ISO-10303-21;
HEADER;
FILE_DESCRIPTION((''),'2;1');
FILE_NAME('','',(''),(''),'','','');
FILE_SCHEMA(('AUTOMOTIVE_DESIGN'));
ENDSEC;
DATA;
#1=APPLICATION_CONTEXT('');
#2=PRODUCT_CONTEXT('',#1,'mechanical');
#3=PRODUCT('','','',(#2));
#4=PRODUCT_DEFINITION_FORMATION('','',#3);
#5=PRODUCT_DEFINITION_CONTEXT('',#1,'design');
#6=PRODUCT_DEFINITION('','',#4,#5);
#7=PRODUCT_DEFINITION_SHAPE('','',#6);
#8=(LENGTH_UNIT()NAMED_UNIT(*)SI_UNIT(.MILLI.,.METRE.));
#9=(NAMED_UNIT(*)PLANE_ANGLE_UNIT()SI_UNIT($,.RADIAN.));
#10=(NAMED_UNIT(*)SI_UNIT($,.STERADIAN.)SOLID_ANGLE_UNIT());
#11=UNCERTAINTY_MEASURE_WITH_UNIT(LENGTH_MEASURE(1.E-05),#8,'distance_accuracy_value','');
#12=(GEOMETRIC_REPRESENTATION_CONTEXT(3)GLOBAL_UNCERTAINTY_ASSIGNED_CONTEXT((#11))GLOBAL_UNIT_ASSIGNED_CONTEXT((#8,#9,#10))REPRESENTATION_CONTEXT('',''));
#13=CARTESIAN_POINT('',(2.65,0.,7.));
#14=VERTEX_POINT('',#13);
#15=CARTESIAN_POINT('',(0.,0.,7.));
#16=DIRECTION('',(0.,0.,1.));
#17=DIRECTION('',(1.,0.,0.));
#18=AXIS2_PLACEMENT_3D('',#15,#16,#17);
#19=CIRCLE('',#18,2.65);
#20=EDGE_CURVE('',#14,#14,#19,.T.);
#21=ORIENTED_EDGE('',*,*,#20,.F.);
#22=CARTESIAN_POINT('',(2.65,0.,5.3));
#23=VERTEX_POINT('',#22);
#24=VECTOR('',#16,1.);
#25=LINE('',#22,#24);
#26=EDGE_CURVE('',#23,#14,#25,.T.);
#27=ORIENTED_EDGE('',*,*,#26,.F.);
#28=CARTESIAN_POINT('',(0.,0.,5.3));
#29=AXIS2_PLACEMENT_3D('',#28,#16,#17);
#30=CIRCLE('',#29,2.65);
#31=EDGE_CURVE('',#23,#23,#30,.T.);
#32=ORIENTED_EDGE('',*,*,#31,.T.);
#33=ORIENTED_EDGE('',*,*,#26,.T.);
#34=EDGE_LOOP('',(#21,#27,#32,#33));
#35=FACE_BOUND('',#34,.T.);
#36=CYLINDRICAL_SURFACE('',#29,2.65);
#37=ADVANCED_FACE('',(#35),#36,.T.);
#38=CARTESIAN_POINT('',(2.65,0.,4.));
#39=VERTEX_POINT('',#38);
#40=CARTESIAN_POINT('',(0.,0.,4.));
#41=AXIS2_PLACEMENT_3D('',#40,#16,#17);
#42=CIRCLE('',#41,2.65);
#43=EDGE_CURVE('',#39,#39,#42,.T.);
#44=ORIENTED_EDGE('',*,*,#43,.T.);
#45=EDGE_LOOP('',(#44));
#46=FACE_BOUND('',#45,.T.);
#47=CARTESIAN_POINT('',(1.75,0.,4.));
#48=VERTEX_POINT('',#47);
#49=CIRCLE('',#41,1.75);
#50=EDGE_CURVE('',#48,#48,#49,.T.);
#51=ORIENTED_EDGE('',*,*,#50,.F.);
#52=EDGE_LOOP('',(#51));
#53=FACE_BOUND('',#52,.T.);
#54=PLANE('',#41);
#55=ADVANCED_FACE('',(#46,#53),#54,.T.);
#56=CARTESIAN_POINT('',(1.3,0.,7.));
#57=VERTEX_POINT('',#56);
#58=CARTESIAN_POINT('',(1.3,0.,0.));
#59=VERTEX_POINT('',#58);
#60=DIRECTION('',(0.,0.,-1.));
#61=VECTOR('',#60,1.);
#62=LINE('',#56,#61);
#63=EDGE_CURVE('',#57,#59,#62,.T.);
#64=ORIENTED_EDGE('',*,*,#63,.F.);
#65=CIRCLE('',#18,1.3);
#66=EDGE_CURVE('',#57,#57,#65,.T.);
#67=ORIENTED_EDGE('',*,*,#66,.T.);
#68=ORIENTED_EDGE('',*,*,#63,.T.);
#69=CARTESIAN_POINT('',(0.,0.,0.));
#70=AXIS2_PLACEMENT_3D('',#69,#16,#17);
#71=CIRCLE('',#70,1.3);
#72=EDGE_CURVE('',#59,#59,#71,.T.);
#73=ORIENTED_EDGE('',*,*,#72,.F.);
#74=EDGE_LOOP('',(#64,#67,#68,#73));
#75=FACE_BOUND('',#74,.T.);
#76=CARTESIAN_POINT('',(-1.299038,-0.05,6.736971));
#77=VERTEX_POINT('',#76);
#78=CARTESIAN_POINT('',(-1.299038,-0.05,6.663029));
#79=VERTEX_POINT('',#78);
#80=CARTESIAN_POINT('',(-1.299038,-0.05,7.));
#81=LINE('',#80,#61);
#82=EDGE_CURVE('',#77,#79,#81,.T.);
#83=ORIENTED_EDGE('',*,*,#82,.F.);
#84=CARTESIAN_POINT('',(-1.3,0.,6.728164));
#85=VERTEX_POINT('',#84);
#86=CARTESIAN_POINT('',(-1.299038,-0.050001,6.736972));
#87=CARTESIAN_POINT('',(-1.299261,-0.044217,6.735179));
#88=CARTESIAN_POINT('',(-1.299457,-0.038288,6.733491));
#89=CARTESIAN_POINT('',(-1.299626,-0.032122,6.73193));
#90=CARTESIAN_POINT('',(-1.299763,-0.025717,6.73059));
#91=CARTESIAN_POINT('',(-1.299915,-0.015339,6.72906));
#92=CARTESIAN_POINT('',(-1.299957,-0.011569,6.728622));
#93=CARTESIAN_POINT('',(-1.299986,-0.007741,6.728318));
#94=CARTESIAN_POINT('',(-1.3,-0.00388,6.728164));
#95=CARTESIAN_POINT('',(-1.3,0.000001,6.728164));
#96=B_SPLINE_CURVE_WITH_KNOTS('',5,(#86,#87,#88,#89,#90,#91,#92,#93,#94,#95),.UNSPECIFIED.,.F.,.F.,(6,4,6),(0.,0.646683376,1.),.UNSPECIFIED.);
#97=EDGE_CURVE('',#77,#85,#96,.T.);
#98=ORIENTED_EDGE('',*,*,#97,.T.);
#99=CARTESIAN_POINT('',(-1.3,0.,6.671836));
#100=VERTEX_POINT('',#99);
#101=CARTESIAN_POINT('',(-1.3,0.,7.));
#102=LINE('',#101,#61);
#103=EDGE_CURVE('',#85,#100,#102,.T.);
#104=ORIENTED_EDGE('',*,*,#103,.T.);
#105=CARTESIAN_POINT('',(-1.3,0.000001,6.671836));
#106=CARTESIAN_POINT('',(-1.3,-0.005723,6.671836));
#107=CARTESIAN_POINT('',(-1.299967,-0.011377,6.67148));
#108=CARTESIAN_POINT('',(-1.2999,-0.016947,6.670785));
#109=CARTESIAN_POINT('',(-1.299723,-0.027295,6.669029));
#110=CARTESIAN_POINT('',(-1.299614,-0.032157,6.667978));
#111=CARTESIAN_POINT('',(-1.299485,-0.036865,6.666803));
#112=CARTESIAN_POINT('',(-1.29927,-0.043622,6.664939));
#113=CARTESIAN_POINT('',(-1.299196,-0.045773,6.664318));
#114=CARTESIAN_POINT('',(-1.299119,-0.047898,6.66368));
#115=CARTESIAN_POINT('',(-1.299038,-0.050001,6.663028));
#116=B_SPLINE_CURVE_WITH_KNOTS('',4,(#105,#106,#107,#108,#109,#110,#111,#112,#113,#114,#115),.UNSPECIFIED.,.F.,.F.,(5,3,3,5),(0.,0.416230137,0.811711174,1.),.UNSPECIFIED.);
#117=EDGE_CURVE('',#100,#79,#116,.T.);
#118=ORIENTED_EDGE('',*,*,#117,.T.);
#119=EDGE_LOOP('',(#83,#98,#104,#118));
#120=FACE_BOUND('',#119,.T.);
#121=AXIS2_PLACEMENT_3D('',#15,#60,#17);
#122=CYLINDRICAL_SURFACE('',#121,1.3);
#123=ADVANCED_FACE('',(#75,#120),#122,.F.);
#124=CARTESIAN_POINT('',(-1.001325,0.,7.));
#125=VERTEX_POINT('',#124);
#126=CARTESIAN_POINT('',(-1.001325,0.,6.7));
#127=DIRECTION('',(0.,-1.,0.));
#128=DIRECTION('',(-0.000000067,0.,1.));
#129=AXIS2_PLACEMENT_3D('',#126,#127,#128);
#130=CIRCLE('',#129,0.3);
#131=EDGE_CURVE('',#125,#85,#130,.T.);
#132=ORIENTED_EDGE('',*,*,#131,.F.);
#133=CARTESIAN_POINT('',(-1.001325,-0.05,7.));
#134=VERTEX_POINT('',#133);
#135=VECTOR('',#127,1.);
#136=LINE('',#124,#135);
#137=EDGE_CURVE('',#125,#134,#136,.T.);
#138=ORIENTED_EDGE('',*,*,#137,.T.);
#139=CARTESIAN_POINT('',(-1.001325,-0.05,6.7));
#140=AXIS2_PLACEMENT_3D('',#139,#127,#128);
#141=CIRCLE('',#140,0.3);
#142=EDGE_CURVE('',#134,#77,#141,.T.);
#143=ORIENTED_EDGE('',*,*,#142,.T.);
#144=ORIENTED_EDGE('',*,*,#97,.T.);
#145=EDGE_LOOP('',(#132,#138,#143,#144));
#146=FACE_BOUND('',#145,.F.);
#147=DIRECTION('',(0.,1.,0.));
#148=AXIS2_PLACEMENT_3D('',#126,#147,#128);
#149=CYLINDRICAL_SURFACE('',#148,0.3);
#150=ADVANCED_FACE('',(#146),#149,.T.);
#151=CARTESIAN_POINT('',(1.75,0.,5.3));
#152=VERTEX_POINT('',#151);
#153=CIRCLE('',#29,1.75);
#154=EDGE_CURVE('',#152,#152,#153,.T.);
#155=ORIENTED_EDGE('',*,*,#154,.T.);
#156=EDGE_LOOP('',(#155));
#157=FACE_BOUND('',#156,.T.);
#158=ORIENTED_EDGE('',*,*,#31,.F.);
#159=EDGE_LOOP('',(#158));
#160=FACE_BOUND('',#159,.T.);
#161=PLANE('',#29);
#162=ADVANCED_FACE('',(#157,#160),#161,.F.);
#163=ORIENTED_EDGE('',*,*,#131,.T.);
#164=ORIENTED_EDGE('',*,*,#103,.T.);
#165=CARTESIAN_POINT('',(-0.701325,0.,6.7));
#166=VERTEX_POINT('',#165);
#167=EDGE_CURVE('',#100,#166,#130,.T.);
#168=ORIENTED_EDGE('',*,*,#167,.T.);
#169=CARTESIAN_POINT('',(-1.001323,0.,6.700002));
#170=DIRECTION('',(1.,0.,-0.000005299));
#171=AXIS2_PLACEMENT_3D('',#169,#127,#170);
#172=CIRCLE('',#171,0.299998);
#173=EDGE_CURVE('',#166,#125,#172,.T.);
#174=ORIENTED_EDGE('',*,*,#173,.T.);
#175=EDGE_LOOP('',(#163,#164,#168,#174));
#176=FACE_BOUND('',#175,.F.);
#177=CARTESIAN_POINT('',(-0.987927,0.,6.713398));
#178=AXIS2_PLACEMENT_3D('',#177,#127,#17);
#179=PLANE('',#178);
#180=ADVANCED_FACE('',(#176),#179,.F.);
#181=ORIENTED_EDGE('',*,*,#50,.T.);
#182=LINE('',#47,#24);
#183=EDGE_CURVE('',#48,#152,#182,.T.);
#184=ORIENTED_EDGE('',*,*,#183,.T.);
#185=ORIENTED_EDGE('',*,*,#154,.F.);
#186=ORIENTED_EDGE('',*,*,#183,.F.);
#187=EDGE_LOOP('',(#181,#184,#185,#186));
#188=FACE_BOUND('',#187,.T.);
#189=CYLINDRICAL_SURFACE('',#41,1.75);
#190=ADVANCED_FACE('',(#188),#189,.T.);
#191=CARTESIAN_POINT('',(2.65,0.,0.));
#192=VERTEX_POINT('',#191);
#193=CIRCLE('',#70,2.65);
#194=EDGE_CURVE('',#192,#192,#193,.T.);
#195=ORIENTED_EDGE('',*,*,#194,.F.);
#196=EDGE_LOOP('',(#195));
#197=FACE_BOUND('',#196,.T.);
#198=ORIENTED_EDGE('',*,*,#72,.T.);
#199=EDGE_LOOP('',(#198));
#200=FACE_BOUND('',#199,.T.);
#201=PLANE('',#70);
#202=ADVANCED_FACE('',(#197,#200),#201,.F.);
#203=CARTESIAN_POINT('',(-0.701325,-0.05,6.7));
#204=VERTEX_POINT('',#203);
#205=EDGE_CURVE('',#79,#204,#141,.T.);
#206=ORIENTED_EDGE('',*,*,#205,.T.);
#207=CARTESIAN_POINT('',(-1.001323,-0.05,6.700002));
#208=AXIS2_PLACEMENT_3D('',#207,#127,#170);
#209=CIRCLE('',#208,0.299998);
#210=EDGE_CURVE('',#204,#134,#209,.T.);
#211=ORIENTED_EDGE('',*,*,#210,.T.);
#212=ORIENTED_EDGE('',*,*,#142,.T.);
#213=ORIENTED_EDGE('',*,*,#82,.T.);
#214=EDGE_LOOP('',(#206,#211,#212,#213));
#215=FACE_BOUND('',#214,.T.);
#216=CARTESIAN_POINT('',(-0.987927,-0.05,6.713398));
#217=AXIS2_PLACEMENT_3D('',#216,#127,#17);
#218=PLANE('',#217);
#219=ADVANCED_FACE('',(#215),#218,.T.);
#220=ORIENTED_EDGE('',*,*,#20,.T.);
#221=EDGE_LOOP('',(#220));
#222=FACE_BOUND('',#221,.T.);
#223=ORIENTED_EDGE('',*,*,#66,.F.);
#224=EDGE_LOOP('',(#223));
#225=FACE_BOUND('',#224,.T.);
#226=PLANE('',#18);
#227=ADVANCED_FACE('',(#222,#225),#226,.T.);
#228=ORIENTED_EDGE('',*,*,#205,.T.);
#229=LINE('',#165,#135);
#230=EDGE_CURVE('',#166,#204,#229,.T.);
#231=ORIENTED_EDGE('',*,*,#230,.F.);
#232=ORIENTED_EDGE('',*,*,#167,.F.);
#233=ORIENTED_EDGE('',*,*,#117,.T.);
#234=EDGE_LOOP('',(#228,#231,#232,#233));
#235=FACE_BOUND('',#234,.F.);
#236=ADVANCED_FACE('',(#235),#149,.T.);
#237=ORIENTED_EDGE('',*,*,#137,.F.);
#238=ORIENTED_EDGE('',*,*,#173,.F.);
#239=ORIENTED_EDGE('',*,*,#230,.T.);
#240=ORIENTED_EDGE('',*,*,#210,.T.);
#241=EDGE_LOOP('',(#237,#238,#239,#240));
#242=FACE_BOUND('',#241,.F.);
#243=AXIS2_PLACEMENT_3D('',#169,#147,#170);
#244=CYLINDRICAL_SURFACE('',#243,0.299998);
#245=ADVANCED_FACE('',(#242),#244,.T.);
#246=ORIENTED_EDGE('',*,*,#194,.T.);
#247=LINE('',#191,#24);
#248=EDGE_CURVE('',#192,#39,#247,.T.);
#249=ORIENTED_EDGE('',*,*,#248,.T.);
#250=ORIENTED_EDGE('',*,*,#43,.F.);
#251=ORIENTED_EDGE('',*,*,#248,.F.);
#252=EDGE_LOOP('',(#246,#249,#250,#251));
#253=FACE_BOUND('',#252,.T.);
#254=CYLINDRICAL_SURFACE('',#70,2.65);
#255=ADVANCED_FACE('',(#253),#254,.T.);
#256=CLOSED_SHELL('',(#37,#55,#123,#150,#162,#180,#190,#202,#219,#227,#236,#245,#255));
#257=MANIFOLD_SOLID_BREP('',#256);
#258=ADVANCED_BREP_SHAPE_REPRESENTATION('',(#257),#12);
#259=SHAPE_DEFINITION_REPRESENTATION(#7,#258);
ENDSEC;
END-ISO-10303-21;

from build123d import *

# Parameters (mm, degrees)
F3_DEPTH = 0.05


with BuildPart() as f1:
    # F0 (on Front) → F1 (revolve)
    with BuildSketch(Plane.XZ):
        Polygon((2.65, 7), (1.3, 7), (1.3, 0), (2.65, 0), (2.65, 4), (1.75, 4), (1.75, 5.3), (2.65, 5.3), align=None)
    revolve(axis=Axis((0, 0, 3.656685), (0, 0, 1)))

    # F2 (on Front) → F3 (join)
    with BuildSketch(Plane.XZ):
        with BuildLine():
            ThreePointArc((-1.001325, 7), (-1.213457, 6.487868), (-0.701325, 6.7))
            ThreePointArc((-0.701325, 6.7), (-0.789192, 6.912132), (-1.001325, 7))
        make_face()
    extrude(amount=F3_DEPTH)


solid = f1.part
